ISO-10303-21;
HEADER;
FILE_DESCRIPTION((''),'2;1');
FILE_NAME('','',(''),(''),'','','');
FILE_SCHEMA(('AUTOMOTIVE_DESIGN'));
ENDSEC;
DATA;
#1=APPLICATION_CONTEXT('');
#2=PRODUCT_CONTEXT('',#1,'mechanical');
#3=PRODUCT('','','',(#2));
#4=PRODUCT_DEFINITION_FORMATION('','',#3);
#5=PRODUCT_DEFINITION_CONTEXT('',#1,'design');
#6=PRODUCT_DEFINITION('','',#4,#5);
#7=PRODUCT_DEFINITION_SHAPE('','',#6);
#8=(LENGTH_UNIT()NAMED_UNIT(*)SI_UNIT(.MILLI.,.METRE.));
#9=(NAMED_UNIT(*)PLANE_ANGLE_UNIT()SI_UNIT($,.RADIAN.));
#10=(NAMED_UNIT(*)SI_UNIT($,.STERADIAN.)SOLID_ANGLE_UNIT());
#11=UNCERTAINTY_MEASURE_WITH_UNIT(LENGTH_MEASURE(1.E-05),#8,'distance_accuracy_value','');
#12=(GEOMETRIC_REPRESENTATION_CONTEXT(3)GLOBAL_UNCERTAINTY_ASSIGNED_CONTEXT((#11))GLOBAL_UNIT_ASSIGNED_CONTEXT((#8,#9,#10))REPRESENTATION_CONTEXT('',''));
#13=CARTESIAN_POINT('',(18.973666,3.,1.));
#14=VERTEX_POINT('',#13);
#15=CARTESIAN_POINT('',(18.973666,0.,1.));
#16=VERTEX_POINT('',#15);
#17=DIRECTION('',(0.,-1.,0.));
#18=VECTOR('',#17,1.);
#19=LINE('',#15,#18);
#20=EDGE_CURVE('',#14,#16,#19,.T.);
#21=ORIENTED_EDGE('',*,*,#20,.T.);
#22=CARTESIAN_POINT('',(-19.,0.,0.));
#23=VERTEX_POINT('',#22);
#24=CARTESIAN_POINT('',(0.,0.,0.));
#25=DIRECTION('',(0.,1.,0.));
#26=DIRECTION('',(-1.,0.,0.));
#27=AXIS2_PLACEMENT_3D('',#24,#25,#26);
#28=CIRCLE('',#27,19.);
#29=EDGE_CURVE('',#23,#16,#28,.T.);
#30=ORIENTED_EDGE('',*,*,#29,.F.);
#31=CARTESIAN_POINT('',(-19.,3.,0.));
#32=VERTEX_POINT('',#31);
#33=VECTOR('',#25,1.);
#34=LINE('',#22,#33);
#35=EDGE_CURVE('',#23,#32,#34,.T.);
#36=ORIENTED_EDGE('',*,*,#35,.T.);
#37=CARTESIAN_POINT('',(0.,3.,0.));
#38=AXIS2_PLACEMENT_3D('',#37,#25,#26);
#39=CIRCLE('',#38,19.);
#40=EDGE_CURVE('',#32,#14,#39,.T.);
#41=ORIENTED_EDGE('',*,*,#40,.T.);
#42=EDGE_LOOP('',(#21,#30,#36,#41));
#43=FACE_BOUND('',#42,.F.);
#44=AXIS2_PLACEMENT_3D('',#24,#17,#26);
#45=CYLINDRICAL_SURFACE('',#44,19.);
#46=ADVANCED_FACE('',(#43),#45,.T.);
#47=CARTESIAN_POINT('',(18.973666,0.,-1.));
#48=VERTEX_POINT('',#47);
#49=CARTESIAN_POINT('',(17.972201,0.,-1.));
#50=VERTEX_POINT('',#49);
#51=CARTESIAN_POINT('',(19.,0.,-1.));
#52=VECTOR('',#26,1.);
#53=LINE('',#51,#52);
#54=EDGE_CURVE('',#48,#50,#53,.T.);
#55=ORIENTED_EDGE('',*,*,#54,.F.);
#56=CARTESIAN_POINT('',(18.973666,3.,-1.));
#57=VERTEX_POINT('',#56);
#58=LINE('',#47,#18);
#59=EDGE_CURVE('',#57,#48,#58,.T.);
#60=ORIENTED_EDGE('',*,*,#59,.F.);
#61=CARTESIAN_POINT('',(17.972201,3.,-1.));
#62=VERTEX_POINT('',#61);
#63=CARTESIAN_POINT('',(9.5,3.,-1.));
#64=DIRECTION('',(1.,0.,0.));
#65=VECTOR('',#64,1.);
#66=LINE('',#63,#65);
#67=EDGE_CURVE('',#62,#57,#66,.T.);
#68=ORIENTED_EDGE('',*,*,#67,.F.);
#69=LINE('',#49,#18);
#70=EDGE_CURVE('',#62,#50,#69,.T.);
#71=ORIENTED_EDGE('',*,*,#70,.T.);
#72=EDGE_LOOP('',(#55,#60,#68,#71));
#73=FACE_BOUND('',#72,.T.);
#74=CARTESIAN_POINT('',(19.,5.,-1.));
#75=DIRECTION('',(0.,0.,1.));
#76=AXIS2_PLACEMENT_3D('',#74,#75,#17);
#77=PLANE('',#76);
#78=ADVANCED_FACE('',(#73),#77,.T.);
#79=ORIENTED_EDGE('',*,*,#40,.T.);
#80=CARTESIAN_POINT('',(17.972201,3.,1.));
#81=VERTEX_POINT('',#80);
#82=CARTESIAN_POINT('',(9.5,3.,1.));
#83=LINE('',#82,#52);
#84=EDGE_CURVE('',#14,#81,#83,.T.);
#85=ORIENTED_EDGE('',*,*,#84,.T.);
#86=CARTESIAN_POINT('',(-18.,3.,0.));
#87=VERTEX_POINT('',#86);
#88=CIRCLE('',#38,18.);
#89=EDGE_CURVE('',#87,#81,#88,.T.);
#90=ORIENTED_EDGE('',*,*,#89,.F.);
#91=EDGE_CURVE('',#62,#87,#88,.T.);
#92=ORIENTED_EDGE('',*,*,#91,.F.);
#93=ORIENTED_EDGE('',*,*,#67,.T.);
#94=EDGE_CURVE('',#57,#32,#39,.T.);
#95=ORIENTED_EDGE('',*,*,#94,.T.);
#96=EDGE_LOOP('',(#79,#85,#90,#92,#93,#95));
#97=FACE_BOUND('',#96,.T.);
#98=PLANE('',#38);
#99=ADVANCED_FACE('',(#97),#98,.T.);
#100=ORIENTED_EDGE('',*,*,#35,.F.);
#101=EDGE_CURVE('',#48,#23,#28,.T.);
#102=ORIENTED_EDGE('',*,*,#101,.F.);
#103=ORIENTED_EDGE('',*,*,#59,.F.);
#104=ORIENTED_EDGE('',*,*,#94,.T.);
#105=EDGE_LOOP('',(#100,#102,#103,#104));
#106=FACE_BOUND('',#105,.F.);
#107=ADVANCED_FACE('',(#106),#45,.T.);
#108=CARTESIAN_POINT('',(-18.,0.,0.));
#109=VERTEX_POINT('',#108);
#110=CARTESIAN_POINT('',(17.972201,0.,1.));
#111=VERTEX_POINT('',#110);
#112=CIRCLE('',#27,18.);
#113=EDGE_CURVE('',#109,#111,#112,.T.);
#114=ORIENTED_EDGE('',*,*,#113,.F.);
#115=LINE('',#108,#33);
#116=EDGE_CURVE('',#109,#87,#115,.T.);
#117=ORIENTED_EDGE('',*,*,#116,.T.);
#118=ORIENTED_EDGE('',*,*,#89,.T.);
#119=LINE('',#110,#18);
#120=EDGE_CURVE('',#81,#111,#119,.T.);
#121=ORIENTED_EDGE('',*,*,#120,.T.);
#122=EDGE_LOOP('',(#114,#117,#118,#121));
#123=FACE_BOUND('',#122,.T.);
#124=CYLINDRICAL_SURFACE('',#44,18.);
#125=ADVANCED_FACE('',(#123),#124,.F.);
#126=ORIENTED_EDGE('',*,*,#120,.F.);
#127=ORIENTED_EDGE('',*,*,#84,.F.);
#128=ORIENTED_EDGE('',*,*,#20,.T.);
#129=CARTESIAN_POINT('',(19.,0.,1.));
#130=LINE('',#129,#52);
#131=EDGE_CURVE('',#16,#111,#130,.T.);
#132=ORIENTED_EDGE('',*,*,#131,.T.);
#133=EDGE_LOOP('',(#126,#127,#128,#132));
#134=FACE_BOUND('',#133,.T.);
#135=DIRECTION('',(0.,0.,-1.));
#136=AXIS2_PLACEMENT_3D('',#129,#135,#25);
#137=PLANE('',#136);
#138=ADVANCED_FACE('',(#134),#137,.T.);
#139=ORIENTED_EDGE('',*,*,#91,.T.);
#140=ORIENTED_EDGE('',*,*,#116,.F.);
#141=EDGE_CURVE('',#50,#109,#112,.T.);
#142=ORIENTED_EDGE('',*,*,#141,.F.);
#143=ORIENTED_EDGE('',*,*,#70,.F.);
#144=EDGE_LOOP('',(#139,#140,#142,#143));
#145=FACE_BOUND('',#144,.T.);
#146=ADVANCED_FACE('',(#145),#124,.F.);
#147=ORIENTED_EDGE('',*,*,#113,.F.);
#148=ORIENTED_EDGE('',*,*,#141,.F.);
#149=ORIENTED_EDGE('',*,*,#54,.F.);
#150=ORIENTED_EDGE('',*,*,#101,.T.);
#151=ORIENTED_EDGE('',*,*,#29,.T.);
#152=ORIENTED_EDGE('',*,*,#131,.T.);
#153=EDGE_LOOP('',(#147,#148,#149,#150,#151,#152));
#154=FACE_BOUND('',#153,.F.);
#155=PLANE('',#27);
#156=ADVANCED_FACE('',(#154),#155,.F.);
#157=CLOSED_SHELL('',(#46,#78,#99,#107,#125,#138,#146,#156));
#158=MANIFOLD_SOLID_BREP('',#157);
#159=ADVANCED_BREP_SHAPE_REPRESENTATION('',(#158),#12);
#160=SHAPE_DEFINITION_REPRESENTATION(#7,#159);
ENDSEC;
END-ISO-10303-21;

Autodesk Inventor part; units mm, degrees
ref_plane "XZ Plane" through (0, 0, 0) normal (0, 1, 0) x (-1, 0, 0)
ref_plane "XY Plane" through (0, 0, 0) normal (0, 0, 1) x (1, 0, 0)
sketch "Sketch1" plane through (0, 0, 0) normal (0, 1, 0) x (-1, 0, 0)
  circle A0 centre (0, 0) radius 19
  circle A1 centre (0, 0) radius 18
  dimension "d0" = 38
  dimension "d1" = 36
extrude "Extrusion1" add sketch "Sketch1" along normal blind 3
ref_plane "Work Plane1" through (19, 0, 0) normal (1, 0, 0) x (0, 1, 0)
sketch "Sketch2" plane through (19, 0, 0) normal (1, 0, 0) x (0, 1, 0)
  line L0 (0, 1) -> (5, 1)
  line L1 (5, 1) -> (5, -1)
  line L2 (5, -1) -> (0, -1)
  line L3 (0, -1) -> (0, 1)
  point P0 (0, 0)
  dimension "d4" = 1
  dimension "d5" = 1
  dimension "d6" = 0
  dimension "d7" = 5
extrude "Extrusion2" cut sketch "Sketch2" against normal blind 5
equation "\"d5\" = d4"
properties part number "ringLoop" material "Copper"
